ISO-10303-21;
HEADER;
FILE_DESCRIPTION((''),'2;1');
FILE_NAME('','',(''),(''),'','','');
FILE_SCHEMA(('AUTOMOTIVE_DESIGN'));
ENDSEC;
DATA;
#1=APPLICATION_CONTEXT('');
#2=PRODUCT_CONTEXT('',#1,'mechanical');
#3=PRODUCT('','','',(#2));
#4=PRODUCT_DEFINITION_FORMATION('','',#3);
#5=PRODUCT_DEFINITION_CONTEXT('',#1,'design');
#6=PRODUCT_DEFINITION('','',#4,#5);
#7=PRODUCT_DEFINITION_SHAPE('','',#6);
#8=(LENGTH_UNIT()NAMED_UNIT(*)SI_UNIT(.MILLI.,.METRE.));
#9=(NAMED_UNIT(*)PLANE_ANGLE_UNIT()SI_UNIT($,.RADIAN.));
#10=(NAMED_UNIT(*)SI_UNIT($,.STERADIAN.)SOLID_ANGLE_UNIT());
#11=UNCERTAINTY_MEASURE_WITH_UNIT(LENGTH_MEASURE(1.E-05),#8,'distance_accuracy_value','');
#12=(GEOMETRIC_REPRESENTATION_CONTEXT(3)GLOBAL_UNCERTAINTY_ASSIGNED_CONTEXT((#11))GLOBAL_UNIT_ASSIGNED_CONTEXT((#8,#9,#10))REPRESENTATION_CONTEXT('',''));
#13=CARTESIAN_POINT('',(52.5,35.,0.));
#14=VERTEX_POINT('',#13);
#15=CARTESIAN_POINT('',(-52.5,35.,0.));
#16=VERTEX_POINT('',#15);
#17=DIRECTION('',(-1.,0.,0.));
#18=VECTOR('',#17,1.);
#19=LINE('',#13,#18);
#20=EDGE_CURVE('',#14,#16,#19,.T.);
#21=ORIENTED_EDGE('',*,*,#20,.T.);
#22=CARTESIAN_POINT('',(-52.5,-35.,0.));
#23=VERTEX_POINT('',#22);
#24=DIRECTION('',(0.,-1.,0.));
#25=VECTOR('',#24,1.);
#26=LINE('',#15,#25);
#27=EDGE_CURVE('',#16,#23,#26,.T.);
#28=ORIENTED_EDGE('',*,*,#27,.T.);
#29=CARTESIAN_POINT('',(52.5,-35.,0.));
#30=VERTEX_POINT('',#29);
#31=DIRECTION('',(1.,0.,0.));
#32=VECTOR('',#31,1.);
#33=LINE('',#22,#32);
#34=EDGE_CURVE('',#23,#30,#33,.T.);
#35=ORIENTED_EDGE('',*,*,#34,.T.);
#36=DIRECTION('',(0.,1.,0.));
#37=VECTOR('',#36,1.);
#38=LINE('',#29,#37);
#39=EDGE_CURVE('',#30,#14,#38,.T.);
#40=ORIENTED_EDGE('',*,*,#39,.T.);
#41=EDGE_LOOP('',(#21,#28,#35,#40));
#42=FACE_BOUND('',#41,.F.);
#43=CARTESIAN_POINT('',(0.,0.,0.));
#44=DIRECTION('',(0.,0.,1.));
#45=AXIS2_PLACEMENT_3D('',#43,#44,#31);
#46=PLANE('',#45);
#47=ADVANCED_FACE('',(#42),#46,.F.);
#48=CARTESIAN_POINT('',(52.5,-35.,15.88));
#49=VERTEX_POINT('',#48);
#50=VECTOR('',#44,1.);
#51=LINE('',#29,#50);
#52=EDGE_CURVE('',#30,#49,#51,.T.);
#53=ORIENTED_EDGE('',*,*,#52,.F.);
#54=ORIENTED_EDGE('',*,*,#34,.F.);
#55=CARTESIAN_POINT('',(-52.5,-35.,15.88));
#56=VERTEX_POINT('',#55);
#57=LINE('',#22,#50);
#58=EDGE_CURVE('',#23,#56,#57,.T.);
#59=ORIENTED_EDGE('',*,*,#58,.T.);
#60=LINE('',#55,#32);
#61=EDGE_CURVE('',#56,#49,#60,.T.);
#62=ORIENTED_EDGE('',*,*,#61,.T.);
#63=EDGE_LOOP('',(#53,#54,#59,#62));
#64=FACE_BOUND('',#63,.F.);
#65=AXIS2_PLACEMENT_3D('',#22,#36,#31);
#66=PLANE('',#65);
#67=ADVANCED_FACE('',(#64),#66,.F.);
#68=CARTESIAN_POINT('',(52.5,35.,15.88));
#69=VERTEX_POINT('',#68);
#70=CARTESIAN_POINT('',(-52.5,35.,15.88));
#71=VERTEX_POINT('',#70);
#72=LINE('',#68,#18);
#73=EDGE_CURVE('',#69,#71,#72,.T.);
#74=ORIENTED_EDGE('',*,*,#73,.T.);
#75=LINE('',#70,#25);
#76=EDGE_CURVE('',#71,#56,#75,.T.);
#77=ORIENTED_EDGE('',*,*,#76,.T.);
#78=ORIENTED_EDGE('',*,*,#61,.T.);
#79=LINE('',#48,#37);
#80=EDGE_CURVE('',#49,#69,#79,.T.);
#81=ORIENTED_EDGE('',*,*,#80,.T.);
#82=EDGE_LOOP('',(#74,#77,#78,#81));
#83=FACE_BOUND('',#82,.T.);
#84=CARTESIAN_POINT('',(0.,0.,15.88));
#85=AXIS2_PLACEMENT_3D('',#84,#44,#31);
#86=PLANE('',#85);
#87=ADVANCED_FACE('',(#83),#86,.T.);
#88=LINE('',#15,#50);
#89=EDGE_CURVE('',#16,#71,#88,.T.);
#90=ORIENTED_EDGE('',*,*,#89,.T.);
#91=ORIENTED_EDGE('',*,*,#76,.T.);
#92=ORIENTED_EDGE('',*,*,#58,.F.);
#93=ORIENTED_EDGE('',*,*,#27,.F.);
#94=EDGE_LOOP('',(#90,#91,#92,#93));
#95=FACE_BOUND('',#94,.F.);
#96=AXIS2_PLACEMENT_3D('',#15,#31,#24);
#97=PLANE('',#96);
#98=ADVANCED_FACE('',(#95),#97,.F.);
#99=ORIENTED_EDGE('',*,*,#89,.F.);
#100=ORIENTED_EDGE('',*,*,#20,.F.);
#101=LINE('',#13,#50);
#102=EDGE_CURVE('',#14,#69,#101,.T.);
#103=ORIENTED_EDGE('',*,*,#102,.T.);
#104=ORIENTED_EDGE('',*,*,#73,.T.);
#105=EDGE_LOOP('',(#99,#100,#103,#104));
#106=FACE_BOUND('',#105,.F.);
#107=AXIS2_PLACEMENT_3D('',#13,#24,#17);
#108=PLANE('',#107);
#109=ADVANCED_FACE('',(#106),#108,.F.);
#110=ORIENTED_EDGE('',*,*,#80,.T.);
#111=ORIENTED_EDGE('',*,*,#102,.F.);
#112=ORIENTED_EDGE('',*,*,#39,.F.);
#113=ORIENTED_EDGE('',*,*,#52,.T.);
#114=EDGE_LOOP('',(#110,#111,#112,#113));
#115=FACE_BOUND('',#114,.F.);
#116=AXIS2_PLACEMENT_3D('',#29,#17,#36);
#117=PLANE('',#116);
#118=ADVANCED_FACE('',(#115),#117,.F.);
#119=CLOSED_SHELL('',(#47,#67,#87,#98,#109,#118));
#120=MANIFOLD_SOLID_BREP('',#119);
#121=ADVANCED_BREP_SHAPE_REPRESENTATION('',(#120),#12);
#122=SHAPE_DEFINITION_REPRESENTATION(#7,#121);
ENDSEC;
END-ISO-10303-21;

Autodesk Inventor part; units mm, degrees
ref_plane "YZ Plane" through (0, 0, 0) normal (1, 0, 0) x (0, 1, 0)
ref_plane "XZ Plane" through (0, 0, 0) normal (0, 1, 0) x (-1, 0, 0)
ref_plane "XY Plane" through (0, 0, 0) normal (0, 0, 1) x (1, 0, 0)
sketch "Esboço1" plane through (0, 0, 0) normal (0, 0, 1) x (1, 0, 0)
  line L0 (-52.5, -35) -> (52.5, -35)
  line L1 (52.5, -35) -> (52.5, 35)
  line L2 (52.5, 35) -> (-52.5, 35)
  line L3 (-52.5, 35) -> (-52.5, -35)
  line L4 (-52.5, -35) -> (52.5, 35) construction
  line L5 (52.5, -35) -> (-52.5, 35) construction
  point P0 (0, 0)
  dimension "d0" = 105
  dimension "d1" = 70
extrude "Extrusão1" add sketch "Esboço1" along normal blind 15.88
properties part number "BARRA_SUP_INF_EIXO_X"
